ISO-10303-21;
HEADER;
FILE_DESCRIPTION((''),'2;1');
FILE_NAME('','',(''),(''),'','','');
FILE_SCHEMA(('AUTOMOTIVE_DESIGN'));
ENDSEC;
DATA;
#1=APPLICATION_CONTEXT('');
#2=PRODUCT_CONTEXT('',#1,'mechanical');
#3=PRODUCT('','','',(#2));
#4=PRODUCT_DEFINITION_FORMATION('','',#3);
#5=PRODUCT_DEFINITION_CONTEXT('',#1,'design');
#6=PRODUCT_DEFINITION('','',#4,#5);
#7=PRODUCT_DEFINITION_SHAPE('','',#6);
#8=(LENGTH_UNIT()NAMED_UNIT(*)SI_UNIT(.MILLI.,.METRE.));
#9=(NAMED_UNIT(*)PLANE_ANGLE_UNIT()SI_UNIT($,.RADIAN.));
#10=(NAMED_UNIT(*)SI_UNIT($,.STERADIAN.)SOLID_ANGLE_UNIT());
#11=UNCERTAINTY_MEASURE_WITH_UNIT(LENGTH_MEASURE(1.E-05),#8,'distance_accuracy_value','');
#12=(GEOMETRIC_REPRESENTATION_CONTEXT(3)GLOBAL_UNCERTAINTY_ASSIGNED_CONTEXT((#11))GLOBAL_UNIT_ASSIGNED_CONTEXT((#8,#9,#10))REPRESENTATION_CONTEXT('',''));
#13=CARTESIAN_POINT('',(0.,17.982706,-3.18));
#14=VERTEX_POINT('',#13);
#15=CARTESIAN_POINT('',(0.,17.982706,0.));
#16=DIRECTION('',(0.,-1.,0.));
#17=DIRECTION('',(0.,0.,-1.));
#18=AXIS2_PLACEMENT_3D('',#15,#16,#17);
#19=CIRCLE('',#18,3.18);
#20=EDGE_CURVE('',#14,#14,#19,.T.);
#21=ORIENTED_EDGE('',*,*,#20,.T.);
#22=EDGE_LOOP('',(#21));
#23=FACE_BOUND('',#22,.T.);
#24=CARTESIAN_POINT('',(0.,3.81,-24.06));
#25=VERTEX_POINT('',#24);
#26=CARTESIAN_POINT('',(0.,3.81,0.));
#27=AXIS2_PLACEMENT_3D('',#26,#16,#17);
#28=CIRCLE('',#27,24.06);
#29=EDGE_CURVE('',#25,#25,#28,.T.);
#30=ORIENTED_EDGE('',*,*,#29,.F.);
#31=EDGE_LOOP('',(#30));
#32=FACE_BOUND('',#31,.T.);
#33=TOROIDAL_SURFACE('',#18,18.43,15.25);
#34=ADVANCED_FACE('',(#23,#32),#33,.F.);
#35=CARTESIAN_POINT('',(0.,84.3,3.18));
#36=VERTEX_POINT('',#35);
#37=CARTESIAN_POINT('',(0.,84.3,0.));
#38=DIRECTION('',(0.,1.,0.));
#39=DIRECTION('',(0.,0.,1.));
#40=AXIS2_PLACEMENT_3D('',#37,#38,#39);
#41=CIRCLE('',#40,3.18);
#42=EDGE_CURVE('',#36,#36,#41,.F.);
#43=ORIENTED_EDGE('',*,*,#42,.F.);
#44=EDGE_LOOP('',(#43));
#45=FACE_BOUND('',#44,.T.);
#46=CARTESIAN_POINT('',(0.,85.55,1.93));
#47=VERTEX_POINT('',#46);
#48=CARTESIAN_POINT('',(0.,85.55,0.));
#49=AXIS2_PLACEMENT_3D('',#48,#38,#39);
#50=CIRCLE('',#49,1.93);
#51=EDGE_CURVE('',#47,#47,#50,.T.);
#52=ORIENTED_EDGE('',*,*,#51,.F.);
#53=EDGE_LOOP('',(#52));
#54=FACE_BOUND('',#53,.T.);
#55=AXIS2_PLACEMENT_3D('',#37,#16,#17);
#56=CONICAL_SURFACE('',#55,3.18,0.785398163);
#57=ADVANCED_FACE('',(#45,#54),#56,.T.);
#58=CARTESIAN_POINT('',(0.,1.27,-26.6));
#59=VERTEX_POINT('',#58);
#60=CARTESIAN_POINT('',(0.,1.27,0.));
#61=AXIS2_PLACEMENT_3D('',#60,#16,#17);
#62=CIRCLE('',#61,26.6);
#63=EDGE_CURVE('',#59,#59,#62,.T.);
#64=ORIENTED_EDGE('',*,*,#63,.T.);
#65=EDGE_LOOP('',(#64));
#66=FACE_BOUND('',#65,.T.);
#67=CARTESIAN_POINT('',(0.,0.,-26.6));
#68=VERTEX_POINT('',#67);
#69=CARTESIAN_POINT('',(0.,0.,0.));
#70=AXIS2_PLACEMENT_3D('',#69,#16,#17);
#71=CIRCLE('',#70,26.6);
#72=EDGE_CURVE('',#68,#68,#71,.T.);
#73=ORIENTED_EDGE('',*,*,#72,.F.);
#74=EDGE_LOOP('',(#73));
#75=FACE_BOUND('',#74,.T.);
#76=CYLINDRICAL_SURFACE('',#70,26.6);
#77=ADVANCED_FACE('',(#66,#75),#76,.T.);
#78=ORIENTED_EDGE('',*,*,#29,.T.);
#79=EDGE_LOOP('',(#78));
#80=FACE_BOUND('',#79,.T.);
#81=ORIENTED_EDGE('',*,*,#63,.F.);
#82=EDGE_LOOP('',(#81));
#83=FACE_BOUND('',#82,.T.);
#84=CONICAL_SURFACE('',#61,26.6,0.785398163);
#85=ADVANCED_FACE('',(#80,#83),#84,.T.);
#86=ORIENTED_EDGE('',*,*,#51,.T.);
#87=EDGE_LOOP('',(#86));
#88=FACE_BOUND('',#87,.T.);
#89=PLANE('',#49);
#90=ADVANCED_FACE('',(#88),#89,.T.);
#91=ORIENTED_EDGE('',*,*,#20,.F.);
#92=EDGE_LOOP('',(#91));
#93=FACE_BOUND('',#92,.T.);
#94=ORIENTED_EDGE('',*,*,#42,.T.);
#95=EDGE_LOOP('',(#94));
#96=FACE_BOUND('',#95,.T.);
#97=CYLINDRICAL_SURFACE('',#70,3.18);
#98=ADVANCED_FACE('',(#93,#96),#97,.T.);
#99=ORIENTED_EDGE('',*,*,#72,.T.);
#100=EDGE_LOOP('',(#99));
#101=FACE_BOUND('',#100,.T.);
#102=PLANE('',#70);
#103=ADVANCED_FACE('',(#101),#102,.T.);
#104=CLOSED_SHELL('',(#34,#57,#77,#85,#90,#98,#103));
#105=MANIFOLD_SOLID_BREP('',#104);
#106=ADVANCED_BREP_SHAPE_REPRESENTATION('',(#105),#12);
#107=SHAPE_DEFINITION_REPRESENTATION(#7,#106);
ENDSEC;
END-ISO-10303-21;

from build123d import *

# Parameters (mm, degrees)
CHAMFER1_SIZE = 1.25


with BuildPart() as part:
    # Sketch1 → Revolve1 (revolve)
    with BuildSketch(Plane.XY):
        with BuildLine():
            Line((0, 0), (26.6, 0))
            Line((26.6, 0), (26.6, 1.27))
            Line((26.6, 1.27), (24.06, 3.81))
            ThreePointArc((24.06, 3.81), (9.865392595, 5.364861657), (3.18, 17.982706164))
            Line((3.18, 17.982706164), (3.18, 85.55))
            Line((3.18, 85.55), (0, 85.55))
            Line((0, 85.55), (0, 0))
        make_face()
    revolve(axis=Axis((0, 0, 0), (0, 1, 0)))

    # Chamfer1
    chamfer1_edges = [part.edges().sort_by_distance(p)[0] for p in [
        (-3.18, 85.55, 0),
    ]]
    chamfer(chamfer1_edges, length=CHAMFER1_SIZE)


solid = part.part
